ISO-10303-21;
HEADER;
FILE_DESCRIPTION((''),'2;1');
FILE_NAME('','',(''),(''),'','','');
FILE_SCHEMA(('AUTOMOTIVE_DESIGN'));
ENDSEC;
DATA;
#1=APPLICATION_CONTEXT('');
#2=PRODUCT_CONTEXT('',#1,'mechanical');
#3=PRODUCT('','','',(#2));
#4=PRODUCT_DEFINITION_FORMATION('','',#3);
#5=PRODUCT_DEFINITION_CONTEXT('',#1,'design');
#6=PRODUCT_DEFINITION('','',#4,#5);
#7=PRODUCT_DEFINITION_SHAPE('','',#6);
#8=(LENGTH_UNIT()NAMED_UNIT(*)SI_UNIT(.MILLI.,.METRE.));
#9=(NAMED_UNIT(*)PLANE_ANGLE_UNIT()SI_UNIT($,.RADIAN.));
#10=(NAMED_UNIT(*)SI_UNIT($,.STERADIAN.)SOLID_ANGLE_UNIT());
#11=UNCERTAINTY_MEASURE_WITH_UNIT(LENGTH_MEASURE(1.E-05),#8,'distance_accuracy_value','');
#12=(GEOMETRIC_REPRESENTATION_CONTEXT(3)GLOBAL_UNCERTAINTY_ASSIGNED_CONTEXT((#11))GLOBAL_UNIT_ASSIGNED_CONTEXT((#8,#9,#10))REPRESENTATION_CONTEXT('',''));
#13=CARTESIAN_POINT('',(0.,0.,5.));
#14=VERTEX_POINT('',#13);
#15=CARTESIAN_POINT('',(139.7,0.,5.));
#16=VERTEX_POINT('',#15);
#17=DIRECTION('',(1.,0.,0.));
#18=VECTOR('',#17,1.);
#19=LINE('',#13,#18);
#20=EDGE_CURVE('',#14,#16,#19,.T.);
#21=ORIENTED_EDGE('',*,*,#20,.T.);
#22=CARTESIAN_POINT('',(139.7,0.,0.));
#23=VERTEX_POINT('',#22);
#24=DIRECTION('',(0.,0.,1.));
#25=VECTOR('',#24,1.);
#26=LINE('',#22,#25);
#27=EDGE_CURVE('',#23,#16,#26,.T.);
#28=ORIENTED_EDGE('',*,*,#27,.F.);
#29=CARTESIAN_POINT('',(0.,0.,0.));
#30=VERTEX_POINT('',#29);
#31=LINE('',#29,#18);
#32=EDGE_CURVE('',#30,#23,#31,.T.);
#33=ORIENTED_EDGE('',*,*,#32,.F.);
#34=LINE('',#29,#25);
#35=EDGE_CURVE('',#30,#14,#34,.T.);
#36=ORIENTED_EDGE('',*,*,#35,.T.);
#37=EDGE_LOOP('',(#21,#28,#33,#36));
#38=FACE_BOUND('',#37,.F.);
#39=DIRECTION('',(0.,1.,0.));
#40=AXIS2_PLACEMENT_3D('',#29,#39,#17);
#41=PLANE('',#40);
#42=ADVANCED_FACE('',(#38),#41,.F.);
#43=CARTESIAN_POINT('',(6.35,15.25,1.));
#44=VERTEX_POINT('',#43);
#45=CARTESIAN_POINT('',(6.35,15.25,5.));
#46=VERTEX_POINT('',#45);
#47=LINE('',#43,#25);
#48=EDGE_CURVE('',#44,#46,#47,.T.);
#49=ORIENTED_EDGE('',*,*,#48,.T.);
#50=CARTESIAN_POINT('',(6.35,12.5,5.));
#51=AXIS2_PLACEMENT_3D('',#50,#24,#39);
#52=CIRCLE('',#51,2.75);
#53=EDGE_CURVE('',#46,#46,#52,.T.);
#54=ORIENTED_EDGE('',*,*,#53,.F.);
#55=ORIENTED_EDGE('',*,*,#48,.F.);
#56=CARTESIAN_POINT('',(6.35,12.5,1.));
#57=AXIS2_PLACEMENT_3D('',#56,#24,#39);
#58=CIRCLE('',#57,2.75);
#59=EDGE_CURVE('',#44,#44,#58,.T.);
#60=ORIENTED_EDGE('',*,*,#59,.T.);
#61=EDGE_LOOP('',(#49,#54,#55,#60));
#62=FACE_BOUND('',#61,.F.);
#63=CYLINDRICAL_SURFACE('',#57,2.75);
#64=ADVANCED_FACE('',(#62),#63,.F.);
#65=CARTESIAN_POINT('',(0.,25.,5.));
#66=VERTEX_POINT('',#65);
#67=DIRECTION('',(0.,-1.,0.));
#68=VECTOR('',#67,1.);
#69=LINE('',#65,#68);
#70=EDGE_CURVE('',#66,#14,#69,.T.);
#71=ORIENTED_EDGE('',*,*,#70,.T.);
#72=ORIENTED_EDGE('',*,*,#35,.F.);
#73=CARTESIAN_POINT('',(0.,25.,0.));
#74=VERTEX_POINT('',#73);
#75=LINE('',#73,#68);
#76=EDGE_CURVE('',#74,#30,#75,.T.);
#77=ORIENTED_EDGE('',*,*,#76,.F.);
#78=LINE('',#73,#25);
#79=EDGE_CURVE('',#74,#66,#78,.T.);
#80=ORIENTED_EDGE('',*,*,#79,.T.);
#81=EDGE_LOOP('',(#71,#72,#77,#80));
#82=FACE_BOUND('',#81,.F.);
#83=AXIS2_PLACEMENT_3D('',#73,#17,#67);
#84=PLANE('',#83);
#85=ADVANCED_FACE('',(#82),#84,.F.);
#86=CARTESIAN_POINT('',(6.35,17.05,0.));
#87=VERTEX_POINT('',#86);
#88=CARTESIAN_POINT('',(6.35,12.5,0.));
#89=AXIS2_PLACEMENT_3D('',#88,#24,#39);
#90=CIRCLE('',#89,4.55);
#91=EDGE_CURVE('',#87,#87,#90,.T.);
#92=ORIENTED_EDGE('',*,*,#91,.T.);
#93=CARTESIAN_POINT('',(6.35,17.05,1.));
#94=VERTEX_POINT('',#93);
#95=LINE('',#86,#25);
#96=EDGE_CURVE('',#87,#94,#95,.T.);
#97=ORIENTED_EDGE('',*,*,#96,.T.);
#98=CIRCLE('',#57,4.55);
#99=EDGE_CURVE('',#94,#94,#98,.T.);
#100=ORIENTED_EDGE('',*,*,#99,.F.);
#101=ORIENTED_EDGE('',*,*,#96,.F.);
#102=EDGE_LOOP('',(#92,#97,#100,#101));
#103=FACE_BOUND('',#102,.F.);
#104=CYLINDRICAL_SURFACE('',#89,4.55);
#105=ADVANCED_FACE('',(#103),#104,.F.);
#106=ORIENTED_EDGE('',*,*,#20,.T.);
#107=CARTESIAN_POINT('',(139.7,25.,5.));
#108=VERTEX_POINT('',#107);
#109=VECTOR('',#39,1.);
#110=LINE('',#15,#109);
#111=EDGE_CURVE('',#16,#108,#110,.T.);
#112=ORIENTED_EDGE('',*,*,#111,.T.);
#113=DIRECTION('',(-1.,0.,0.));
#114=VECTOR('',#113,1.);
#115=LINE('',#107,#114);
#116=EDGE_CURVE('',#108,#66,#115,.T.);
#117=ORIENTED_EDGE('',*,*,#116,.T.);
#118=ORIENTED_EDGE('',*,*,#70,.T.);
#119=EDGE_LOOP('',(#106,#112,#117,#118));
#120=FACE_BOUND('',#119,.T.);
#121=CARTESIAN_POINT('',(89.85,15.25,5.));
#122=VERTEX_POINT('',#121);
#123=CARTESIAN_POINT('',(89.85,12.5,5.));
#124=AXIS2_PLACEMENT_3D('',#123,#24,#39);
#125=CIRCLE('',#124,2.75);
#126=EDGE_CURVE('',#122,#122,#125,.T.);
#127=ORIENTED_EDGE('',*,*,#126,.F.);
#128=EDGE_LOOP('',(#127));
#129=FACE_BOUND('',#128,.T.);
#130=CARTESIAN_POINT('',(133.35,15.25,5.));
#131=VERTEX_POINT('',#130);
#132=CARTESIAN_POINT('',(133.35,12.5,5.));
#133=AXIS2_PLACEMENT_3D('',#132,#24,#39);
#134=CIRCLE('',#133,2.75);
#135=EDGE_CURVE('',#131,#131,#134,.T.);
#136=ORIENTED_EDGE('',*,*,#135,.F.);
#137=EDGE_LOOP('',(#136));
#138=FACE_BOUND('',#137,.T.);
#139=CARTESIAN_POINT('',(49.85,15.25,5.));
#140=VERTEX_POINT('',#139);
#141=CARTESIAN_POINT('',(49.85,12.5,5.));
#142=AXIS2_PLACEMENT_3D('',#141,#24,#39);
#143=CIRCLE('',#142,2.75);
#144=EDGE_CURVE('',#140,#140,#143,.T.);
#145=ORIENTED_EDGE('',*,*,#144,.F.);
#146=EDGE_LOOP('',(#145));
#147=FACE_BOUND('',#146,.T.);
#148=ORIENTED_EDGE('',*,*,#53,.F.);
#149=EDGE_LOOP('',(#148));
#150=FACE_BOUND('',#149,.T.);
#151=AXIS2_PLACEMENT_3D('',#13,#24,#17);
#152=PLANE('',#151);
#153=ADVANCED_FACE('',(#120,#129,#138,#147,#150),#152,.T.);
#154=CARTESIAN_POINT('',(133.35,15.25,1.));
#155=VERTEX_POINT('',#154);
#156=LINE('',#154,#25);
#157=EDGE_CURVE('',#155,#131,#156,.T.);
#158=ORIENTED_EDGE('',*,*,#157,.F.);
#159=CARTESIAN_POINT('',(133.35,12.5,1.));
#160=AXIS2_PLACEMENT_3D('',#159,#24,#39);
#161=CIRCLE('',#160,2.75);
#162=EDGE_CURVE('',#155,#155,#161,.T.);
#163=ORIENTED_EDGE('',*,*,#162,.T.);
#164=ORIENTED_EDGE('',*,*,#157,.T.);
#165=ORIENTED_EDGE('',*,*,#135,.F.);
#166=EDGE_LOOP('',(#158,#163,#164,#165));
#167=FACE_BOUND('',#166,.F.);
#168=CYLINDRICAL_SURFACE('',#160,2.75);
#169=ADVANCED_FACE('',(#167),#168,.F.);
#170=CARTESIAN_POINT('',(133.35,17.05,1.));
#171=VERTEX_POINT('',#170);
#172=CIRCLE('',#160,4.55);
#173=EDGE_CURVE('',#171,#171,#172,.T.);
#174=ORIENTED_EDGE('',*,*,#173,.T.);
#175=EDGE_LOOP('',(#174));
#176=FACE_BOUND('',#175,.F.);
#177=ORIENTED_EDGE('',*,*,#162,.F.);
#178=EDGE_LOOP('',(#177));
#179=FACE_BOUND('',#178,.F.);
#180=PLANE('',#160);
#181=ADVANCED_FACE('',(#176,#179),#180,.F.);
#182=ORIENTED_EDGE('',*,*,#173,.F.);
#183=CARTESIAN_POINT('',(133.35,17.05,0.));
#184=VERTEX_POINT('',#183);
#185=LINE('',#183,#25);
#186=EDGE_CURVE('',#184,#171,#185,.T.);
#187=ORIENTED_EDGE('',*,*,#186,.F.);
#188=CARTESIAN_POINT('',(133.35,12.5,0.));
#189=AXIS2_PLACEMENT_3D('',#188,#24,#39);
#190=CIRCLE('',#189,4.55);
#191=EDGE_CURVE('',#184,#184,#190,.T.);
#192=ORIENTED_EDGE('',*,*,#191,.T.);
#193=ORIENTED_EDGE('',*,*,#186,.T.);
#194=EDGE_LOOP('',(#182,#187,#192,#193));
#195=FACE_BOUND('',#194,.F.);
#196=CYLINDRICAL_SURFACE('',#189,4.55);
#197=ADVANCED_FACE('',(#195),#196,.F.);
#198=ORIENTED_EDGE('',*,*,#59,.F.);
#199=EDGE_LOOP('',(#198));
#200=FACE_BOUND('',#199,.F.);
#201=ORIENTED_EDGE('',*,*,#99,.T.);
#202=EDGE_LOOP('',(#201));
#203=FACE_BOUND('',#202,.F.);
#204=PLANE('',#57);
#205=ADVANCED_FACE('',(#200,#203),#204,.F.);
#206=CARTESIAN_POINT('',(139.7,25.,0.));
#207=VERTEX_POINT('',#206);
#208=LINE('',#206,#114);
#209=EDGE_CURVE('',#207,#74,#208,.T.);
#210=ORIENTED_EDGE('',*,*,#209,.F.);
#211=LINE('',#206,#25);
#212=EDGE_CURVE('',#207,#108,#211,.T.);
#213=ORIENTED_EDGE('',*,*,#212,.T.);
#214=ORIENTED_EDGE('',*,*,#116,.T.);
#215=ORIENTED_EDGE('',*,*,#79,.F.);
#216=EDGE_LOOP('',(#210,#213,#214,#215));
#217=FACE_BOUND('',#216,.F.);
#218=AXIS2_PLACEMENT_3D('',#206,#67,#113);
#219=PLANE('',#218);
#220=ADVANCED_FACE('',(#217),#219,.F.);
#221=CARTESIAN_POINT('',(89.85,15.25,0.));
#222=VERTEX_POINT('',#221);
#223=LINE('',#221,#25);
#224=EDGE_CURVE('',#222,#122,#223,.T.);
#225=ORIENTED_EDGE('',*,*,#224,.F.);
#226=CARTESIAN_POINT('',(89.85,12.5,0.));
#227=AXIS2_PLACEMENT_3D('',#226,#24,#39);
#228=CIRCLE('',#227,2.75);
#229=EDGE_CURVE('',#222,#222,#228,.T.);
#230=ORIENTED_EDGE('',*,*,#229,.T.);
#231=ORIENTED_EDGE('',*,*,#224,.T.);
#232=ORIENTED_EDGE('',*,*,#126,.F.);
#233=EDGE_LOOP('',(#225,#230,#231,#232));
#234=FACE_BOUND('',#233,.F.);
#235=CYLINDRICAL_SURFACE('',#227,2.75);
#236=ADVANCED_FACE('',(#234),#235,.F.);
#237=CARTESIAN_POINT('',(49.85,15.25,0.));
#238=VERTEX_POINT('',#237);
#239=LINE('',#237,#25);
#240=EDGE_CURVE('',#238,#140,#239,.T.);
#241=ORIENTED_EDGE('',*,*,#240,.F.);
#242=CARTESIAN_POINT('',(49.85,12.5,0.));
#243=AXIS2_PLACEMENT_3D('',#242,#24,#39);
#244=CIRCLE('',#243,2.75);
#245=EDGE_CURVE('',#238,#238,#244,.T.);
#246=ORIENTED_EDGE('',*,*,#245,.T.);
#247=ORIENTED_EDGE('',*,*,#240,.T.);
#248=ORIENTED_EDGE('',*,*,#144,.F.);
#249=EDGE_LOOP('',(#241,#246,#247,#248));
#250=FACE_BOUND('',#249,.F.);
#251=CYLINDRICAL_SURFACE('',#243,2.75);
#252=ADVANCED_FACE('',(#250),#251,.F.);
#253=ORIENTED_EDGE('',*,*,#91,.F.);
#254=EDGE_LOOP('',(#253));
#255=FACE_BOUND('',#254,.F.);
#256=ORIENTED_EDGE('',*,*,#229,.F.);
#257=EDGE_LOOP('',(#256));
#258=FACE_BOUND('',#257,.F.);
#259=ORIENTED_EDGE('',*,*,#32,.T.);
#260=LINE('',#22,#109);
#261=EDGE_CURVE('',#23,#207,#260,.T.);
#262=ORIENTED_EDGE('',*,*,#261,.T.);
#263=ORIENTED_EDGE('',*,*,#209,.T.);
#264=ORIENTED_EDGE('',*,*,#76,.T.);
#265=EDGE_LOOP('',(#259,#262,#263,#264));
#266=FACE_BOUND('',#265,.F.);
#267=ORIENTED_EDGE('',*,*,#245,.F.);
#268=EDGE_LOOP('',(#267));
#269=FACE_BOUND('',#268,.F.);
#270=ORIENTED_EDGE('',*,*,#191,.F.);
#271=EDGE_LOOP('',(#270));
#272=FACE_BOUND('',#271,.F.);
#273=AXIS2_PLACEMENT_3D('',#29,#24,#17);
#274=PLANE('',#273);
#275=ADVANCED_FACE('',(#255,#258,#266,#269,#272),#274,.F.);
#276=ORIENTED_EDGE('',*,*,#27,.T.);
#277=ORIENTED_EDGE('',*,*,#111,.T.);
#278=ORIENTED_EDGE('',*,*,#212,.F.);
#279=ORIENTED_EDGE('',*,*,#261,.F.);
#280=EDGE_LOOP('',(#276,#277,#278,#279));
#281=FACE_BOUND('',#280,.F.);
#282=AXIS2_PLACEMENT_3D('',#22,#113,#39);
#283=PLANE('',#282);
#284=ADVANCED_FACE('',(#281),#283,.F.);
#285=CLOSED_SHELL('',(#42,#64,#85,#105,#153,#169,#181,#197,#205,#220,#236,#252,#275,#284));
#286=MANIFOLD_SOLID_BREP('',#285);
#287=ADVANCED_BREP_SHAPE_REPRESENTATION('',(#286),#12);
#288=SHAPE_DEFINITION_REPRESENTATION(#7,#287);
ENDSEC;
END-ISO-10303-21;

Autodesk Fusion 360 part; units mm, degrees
sketch "Sketch1" plane through (0, 0, 0) normal (0, 0, 1) x (1, 0, 0)
  line L0 (0, 0) -> (139.7, 0)
  line L1 (139.7, 0) -> (139.7, 25)
  line L2 (139.7, 25) -> (0, 25)
  line L3 (0, 25) -> (0, 0)
  dimension "d1" = 139.7
  dimension "d2" = 25
extrude "Extrude1" add sketch "Sketch1" along normal blind 5
sketch "Sketch2" plane through (0, 0, 0) normal (0, 0, 1) x (1, 0, 0)
  point P0 (6.35, 12.5)
  point P1 (133.35, 12.5)
hole "Hole1" at (6.35, 12.5, 0) at (133.35, 12.5, 0) direction (0, 0, 1) diameter 5.5 depth 13 tip angle 118 counterbore diameter 9.1 counterbore depth 1
sketch "Sketch4" plane through (0, 0, 0) normal (0, 0, -1) x (1, 0, 0)
  circle A0 centre (6.35, -12.5) radius 4.55
  circle A1 centre (133.35, -12.5) radius 4.55
  line L0 (0, 0) -> (0, -25)
  line L1 (0, -25) -> (139.7, -25)
  line L2 (139.7, -25) -> (139.7, 0)
  line L3 (139.7, 0) -> (0, 0)
  point P0 (49.85, -12.5)
  point P1 (89.85, -12.5)
hole "Hole3" at (89.85, 12.5, 0) at (49.85, 12.5, 0) direction (0, 0, 1) diameter 5.5 depth 13 tip angle 118
